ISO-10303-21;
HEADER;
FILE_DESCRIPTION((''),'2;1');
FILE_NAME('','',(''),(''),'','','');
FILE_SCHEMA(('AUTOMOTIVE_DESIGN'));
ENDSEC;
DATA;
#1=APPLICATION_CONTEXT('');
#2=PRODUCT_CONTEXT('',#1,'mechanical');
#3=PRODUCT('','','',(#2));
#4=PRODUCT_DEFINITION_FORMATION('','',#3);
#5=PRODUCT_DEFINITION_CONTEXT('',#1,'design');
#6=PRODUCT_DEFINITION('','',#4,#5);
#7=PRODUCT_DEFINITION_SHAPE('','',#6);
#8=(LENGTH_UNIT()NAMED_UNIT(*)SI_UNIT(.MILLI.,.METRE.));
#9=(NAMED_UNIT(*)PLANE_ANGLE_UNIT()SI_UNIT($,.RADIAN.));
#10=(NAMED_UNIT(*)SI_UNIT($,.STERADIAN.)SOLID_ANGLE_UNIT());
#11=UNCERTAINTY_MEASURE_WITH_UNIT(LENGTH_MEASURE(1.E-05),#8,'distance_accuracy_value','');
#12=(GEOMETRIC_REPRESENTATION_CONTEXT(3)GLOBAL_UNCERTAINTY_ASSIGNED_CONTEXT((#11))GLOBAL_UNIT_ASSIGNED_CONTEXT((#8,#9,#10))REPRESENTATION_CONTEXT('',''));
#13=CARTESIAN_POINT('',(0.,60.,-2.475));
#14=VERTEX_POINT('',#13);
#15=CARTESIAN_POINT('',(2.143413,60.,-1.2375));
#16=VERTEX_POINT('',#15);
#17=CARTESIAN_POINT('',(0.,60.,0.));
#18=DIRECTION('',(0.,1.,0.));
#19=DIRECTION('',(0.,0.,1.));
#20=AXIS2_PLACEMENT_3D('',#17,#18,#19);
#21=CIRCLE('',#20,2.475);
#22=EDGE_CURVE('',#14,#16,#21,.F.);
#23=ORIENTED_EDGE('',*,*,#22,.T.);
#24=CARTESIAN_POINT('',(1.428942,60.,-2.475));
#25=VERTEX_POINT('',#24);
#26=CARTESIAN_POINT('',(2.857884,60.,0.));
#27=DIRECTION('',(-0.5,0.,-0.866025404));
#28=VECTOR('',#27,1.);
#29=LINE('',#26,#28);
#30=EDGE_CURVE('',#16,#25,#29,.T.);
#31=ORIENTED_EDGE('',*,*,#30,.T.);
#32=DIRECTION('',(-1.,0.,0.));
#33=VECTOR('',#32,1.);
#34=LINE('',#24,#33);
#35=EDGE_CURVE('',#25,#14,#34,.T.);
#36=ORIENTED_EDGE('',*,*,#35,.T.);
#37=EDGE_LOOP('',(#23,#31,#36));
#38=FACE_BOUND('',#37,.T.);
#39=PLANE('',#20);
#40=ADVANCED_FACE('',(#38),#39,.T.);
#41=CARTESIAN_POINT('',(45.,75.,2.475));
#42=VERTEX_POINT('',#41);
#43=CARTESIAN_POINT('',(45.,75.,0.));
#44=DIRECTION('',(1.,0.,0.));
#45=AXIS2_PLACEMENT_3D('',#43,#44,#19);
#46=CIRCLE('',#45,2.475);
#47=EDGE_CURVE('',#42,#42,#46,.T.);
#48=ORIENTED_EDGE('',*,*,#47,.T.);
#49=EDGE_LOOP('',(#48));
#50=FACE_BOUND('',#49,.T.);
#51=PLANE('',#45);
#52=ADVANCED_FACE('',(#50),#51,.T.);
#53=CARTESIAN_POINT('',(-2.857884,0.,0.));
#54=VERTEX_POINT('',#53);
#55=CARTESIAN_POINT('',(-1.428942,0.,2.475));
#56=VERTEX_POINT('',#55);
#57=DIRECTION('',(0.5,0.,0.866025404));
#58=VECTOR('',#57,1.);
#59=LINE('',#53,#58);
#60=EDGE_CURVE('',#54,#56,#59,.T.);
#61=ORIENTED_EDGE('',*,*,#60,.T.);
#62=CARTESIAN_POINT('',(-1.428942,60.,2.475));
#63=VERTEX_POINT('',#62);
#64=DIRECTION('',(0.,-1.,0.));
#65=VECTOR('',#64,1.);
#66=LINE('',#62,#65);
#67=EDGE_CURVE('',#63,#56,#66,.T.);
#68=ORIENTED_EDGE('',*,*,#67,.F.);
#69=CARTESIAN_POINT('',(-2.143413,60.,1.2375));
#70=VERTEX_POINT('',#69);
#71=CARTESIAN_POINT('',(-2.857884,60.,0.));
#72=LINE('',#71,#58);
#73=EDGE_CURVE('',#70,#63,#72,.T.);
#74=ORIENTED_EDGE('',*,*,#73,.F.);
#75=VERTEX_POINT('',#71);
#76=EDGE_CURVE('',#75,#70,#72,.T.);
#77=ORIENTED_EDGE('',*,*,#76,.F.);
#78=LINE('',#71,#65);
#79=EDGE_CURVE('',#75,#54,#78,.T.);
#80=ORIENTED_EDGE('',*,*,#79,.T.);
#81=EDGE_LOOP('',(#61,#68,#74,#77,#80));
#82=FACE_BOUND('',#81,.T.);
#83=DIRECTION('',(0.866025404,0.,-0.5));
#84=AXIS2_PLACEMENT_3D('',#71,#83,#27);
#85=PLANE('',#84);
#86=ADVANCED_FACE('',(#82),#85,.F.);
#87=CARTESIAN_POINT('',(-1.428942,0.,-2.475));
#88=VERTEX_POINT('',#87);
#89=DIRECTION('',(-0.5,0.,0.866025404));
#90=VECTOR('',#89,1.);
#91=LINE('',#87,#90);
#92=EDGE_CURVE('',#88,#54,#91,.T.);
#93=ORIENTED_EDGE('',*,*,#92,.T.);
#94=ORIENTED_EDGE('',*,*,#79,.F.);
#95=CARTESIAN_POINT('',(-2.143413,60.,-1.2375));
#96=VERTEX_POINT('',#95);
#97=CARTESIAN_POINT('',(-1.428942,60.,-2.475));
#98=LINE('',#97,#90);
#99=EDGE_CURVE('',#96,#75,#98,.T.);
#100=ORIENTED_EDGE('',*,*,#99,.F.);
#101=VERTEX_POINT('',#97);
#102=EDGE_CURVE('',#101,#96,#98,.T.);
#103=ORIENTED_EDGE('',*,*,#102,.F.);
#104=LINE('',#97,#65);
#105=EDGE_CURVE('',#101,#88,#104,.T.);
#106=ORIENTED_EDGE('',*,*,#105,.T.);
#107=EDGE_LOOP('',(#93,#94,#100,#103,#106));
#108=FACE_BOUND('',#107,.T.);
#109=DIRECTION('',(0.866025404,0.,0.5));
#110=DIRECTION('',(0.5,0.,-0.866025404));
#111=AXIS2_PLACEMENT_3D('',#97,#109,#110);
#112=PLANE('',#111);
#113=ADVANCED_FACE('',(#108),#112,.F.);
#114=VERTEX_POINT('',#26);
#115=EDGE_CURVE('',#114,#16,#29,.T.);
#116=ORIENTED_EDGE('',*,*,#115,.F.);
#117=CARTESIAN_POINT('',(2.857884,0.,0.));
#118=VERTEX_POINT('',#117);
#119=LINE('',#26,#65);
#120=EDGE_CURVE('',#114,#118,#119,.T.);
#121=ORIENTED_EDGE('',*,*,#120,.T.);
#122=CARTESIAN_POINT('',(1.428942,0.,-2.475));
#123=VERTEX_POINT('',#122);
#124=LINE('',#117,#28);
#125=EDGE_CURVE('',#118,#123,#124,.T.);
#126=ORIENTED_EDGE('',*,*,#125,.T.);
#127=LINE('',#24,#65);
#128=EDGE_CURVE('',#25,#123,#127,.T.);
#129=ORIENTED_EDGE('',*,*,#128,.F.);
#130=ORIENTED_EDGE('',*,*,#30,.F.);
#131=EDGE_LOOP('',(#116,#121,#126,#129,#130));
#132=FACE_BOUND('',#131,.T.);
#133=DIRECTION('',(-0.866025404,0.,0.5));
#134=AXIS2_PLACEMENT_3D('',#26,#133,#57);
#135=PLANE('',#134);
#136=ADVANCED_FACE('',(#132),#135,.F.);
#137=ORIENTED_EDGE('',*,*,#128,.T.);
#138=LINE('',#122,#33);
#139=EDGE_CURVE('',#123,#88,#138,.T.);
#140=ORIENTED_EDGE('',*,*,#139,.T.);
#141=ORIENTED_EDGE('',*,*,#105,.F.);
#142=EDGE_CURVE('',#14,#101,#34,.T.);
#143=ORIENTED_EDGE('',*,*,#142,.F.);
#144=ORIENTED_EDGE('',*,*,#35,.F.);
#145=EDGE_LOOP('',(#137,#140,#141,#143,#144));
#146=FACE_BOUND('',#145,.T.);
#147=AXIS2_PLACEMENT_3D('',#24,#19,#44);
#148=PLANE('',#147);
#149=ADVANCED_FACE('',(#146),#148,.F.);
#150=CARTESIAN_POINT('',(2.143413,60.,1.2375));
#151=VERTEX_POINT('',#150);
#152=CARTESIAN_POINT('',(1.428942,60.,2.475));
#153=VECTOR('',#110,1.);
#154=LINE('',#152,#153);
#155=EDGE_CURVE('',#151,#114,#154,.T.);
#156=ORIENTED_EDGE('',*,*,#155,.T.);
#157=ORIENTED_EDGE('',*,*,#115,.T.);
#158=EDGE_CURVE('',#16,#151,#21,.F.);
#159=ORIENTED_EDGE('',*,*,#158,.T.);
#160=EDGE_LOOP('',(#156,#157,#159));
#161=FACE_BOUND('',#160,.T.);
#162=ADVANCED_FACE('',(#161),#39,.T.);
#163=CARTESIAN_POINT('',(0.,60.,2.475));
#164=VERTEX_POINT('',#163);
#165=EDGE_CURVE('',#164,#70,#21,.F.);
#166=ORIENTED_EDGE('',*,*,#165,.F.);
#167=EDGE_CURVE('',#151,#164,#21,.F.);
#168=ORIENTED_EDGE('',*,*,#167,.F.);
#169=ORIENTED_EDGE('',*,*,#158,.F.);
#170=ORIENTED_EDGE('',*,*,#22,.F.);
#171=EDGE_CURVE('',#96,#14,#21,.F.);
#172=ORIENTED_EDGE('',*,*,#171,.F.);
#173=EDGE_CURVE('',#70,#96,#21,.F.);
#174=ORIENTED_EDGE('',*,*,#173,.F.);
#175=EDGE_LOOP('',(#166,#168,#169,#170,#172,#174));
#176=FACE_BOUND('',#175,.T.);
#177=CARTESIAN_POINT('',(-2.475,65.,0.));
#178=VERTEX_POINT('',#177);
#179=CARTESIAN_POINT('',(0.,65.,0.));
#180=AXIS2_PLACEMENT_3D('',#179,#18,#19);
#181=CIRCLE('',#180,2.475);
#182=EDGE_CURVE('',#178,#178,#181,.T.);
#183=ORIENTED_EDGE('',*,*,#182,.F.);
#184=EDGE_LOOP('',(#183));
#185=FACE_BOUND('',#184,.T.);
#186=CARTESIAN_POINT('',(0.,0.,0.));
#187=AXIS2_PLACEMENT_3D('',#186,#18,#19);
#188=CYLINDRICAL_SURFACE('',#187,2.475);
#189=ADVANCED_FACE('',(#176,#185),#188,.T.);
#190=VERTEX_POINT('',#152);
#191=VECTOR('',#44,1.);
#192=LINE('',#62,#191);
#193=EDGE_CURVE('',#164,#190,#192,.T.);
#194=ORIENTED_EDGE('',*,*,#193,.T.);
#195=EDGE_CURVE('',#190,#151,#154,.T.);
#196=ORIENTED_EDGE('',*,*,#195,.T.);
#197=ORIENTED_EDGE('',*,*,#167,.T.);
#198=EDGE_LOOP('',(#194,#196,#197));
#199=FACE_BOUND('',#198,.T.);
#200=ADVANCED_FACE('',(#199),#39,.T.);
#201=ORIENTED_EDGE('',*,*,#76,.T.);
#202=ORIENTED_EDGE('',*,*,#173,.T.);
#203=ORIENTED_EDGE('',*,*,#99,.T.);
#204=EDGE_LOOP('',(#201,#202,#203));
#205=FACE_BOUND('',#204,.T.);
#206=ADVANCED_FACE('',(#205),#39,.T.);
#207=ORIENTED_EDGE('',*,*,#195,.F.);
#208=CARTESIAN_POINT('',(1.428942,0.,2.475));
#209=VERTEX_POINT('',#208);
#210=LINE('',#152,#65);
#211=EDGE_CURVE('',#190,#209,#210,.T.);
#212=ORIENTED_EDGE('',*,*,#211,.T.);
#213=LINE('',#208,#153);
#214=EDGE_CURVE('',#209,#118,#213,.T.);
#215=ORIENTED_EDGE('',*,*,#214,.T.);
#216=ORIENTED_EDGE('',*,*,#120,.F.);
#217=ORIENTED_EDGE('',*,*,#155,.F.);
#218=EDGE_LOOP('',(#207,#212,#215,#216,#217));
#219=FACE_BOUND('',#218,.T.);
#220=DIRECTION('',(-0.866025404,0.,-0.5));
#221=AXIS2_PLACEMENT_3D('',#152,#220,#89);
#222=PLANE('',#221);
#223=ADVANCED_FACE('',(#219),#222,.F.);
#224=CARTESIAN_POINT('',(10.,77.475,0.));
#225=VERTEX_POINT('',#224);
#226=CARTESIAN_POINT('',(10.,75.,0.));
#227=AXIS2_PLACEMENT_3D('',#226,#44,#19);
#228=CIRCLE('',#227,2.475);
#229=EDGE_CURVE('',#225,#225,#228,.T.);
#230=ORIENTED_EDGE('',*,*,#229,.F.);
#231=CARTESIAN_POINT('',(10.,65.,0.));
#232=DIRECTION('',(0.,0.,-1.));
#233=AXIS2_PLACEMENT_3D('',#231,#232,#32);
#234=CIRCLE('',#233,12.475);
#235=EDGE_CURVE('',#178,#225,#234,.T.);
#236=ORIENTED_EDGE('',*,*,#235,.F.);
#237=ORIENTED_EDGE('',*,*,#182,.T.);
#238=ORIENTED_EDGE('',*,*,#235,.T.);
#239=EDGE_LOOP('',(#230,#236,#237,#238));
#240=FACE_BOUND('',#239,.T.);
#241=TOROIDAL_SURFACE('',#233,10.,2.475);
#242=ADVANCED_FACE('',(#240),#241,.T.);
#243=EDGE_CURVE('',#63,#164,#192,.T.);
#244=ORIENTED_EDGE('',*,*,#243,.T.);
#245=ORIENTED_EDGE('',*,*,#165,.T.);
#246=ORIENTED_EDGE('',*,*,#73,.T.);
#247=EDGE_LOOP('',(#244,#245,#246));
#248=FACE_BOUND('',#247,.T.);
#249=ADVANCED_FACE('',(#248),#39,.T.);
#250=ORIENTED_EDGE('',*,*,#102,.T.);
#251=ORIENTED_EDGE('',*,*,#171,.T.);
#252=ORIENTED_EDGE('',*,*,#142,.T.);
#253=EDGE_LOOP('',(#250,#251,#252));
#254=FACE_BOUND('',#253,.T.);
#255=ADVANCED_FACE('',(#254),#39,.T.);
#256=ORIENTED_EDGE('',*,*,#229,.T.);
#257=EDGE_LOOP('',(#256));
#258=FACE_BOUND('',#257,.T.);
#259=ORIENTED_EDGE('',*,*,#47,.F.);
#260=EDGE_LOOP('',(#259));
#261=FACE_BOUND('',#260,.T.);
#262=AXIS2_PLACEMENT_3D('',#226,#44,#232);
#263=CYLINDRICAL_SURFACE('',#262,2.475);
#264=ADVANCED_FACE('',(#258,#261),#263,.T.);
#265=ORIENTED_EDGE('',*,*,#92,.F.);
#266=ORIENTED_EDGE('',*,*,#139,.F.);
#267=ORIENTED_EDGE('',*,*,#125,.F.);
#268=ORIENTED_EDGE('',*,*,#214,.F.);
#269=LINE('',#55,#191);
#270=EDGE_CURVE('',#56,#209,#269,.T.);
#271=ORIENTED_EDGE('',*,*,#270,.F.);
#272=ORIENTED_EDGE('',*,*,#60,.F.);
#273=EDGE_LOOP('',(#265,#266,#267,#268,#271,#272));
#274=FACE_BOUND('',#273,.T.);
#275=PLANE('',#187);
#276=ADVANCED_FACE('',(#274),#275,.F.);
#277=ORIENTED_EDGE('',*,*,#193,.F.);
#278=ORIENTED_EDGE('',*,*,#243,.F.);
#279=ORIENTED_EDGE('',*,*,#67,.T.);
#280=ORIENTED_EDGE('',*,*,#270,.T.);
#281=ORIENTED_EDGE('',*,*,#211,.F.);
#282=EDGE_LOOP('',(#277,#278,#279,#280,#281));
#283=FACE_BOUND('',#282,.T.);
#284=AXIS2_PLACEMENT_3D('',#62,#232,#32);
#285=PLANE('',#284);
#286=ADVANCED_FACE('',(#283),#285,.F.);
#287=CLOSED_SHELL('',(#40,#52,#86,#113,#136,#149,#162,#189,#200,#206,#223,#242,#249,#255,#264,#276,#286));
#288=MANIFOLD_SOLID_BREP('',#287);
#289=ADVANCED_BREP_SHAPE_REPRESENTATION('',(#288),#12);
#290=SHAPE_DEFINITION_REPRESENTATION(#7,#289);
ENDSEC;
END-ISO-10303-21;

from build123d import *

# Parameters (mm, degrees)
SKETCH16_R          = 2.475
BOSS_EXTRUDE2_DEPTH = 60


with BuildPart() as part:
    # Sweep4: sweep along a path in Sketch15
    with BuildLine(Plane.XY) as sweep4_path:
        Line((0, 0), (0, 65))
        ThreePointArc((0, 65), (2.928932188, 72.071067812), (10, 75))
        Line((10, 75), (45, 75))
    # Sketch16 → Sweep4 (sweep)
    with BuildSketch(Plane(origin=(0, 0, 0), x_dir=(1, 0, 0), z_dir=(0, 1, 0))):
        Circle(SKETCH16_R)
    sweep(path=sweep4_path.line)

    # Sketch18 → Boss-Extrude2 (add)
    with BuildSketch(Plane(origin=(0, 0, 0), x_dir=(1, 0, 0), z_dir=(0, 1, 0))):
        Polygon((2.857883832, 0), (1.428941916, 2.475), (-1.428941916, 2.475), (-2.857883832, 0), (-1.428941916, -2.475), (1.428941916, -2.475), align=None)
    extrude(amount=BOSS_EXTRUDE2_DEPTH)


solid = part.part
